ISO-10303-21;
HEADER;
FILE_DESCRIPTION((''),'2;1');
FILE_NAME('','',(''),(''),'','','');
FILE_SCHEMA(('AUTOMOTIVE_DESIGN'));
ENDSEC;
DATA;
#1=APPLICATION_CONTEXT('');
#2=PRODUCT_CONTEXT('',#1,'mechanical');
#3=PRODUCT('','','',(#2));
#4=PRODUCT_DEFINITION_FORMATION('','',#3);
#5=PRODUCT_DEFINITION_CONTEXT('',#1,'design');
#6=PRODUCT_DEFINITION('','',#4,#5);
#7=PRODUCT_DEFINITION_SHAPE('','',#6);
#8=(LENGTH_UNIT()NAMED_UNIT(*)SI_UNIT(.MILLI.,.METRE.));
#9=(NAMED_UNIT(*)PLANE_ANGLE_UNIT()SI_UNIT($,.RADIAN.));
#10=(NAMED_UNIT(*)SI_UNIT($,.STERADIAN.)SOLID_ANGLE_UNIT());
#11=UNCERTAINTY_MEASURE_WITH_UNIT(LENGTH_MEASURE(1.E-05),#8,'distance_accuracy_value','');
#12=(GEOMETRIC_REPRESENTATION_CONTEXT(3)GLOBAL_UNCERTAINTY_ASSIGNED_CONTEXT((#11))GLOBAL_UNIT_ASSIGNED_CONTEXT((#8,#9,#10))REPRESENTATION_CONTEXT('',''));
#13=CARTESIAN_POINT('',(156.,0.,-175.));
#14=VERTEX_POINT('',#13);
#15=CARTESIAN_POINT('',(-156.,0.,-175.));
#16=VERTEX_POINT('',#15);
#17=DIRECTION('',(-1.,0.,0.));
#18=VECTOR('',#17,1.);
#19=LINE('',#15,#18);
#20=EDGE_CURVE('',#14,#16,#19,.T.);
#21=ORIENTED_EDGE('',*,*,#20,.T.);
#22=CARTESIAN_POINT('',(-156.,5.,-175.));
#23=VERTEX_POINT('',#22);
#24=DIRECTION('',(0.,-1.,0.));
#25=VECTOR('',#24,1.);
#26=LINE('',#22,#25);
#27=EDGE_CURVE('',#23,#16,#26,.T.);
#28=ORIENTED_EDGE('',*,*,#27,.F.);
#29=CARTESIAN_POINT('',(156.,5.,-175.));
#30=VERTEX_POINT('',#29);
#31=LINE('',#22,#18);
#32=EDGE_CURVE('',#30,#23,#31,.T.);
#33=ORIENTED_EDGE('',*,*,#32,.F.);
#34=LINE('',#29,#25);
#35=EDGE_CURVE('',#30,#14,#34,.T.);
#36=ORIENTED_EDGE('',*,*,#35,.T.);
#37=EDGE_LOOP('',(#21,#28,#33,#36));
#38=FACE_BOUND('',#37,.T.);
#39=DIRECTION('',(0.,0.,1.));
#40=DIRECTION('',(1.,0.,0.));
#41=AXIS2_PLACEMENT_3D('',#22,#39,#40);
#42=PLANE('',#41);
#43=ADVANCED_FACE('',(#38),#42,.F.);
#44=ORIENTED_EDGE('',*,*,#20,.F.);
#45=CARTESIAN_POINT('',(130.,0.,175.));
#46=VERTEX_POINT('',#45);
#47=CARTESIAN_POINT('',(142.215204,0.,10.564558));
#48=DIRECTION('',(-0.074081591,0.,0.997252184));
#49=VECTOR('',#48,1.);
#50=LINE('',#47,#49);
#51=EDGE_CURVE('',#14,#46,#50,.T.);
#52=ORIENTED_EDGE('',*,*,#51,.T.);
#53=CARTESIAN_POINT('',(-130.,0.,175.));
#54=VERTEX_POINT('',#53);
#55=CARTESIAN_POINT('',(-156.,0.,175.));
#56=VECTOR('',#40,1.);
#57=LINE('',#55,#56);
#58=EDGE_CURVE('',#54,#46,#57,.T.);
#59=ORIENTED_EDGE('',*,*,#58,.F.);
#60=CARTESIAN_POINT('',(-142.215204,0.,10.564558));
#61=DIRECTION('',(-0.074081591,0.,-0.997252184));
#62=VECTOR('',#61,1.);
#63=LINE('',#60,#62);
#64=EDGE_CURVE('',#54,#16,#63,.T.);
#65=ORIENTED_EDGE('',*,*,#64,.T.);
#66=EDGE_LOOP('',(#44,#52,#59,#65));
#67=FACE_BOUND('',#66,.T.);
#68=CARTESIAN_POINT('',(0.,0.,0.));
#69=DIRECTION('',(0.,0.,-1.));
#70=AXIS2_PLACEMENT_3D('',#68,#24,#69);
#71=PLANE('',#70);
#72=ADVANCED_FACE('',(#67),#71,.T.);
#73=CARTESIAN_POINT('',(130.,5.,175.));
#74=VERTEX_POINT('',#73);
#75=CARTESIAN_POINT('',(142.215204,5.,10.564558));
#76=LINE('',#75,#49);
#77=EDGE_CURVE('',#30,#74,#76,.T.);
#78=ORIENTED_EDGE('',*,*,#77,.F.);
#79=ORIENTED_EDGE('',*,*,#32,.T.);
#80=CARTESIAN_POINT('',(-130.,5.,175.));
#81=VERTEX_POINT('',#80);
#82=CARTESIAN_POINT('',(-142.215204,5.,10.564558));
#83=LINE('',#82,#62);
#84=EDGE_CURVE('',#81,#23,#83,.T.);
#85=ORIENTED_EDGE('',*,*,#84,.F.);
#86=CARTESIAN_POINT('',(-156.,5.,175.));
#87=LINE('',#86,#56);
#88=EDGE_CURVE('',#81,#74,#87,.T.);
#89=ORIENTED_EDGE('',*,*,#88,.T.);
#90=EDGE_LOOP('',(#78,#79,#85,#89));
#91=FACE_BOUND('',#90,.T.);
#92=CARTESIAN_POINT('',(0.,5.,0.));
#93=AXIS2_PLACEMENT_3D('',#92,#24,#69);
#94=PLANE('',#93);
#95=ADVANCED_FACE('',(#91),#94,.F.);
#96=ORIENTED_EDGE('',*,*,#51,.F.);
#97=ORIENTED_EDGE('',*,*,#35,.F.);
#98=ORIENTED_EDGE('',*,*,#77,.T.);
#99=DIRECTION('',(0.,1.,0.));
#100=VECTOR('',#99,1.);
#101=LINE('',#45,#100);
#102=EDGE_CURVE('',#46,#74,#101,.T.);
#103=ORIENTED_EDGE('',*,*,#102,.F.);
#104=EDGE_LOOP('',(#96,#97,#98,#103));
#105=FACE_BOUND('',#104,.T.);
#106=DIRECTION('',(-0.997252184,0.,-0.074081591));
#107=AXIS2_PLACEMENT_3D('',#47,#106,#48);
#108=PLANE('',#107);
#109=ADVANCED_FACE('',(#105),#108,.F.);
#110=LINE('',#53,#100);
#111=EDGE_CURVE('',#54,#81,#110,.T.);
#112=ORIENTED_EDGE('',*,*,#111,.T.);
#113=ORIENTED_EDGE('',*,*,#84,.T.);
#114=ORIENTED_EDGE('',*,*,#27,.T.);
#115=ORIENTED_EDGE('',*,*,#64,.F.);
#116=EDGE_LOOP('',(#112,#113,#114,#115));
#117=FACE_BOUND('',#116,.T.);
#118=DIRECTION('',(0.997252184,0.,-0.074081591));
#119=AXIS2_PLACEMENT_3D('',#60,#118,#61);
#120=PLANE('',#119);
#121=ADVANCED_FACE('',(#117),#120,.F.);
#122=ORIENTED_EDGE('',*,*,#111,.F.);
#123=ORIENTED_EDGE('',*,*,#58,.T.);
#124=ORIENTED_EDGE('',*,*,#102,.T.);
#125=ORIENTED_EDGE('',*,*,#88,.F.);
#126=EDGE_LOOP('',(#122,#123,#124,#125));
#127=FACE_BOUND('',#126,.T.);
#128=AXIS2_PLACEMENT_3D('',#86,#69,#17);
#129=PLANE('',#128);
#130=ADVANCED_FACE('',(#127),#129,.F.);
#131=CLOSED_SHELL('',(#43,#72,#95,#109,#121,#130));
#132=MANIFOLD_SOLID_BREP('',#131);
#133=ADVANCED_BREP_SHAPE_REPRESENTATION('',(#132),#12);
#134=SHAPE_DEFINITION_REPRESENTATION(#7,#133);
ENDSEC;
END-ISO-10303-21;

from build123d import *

# Parameters (mm, degrees)
SKETCH1_W           = 312
SKETCH1_H           = 350
BOSS_EXTRUDE1_DEPTH = 5
CUT_EXTRUDE1_DEPTH  = 235.490937991


with BuildPart() as part:
    # Sketch1 → Boss-Extrude1 (new body)
    with BuildSketch(Plane(origin=(0, 0, 0), x_dir=(1, 0, 0), z_dir=(0, 1, 0))):
        Rectangle(SKETCH1_W, SKETCH1_H)
    extrude(amount=BOSS_EXTRUDE1_DEPTH)

    # Sketch3 → Cut-Extrude1 (cut, through all)
    with BuildSketch(Plane(origin=(0, 5, 0), x_dir=(1, 0, 0), z_dir=(0, 1, 0))):
        Polygon((156, -175), (156, 175), (130, -175), align=None)
        Polygon((-130, -175), (-156, 175), (-156, -175), align=None)
    extrude(amount=-CUT_EXTRUDE1_DEPTH, mode=Mode.SUBTRACT)


solid = part.part
